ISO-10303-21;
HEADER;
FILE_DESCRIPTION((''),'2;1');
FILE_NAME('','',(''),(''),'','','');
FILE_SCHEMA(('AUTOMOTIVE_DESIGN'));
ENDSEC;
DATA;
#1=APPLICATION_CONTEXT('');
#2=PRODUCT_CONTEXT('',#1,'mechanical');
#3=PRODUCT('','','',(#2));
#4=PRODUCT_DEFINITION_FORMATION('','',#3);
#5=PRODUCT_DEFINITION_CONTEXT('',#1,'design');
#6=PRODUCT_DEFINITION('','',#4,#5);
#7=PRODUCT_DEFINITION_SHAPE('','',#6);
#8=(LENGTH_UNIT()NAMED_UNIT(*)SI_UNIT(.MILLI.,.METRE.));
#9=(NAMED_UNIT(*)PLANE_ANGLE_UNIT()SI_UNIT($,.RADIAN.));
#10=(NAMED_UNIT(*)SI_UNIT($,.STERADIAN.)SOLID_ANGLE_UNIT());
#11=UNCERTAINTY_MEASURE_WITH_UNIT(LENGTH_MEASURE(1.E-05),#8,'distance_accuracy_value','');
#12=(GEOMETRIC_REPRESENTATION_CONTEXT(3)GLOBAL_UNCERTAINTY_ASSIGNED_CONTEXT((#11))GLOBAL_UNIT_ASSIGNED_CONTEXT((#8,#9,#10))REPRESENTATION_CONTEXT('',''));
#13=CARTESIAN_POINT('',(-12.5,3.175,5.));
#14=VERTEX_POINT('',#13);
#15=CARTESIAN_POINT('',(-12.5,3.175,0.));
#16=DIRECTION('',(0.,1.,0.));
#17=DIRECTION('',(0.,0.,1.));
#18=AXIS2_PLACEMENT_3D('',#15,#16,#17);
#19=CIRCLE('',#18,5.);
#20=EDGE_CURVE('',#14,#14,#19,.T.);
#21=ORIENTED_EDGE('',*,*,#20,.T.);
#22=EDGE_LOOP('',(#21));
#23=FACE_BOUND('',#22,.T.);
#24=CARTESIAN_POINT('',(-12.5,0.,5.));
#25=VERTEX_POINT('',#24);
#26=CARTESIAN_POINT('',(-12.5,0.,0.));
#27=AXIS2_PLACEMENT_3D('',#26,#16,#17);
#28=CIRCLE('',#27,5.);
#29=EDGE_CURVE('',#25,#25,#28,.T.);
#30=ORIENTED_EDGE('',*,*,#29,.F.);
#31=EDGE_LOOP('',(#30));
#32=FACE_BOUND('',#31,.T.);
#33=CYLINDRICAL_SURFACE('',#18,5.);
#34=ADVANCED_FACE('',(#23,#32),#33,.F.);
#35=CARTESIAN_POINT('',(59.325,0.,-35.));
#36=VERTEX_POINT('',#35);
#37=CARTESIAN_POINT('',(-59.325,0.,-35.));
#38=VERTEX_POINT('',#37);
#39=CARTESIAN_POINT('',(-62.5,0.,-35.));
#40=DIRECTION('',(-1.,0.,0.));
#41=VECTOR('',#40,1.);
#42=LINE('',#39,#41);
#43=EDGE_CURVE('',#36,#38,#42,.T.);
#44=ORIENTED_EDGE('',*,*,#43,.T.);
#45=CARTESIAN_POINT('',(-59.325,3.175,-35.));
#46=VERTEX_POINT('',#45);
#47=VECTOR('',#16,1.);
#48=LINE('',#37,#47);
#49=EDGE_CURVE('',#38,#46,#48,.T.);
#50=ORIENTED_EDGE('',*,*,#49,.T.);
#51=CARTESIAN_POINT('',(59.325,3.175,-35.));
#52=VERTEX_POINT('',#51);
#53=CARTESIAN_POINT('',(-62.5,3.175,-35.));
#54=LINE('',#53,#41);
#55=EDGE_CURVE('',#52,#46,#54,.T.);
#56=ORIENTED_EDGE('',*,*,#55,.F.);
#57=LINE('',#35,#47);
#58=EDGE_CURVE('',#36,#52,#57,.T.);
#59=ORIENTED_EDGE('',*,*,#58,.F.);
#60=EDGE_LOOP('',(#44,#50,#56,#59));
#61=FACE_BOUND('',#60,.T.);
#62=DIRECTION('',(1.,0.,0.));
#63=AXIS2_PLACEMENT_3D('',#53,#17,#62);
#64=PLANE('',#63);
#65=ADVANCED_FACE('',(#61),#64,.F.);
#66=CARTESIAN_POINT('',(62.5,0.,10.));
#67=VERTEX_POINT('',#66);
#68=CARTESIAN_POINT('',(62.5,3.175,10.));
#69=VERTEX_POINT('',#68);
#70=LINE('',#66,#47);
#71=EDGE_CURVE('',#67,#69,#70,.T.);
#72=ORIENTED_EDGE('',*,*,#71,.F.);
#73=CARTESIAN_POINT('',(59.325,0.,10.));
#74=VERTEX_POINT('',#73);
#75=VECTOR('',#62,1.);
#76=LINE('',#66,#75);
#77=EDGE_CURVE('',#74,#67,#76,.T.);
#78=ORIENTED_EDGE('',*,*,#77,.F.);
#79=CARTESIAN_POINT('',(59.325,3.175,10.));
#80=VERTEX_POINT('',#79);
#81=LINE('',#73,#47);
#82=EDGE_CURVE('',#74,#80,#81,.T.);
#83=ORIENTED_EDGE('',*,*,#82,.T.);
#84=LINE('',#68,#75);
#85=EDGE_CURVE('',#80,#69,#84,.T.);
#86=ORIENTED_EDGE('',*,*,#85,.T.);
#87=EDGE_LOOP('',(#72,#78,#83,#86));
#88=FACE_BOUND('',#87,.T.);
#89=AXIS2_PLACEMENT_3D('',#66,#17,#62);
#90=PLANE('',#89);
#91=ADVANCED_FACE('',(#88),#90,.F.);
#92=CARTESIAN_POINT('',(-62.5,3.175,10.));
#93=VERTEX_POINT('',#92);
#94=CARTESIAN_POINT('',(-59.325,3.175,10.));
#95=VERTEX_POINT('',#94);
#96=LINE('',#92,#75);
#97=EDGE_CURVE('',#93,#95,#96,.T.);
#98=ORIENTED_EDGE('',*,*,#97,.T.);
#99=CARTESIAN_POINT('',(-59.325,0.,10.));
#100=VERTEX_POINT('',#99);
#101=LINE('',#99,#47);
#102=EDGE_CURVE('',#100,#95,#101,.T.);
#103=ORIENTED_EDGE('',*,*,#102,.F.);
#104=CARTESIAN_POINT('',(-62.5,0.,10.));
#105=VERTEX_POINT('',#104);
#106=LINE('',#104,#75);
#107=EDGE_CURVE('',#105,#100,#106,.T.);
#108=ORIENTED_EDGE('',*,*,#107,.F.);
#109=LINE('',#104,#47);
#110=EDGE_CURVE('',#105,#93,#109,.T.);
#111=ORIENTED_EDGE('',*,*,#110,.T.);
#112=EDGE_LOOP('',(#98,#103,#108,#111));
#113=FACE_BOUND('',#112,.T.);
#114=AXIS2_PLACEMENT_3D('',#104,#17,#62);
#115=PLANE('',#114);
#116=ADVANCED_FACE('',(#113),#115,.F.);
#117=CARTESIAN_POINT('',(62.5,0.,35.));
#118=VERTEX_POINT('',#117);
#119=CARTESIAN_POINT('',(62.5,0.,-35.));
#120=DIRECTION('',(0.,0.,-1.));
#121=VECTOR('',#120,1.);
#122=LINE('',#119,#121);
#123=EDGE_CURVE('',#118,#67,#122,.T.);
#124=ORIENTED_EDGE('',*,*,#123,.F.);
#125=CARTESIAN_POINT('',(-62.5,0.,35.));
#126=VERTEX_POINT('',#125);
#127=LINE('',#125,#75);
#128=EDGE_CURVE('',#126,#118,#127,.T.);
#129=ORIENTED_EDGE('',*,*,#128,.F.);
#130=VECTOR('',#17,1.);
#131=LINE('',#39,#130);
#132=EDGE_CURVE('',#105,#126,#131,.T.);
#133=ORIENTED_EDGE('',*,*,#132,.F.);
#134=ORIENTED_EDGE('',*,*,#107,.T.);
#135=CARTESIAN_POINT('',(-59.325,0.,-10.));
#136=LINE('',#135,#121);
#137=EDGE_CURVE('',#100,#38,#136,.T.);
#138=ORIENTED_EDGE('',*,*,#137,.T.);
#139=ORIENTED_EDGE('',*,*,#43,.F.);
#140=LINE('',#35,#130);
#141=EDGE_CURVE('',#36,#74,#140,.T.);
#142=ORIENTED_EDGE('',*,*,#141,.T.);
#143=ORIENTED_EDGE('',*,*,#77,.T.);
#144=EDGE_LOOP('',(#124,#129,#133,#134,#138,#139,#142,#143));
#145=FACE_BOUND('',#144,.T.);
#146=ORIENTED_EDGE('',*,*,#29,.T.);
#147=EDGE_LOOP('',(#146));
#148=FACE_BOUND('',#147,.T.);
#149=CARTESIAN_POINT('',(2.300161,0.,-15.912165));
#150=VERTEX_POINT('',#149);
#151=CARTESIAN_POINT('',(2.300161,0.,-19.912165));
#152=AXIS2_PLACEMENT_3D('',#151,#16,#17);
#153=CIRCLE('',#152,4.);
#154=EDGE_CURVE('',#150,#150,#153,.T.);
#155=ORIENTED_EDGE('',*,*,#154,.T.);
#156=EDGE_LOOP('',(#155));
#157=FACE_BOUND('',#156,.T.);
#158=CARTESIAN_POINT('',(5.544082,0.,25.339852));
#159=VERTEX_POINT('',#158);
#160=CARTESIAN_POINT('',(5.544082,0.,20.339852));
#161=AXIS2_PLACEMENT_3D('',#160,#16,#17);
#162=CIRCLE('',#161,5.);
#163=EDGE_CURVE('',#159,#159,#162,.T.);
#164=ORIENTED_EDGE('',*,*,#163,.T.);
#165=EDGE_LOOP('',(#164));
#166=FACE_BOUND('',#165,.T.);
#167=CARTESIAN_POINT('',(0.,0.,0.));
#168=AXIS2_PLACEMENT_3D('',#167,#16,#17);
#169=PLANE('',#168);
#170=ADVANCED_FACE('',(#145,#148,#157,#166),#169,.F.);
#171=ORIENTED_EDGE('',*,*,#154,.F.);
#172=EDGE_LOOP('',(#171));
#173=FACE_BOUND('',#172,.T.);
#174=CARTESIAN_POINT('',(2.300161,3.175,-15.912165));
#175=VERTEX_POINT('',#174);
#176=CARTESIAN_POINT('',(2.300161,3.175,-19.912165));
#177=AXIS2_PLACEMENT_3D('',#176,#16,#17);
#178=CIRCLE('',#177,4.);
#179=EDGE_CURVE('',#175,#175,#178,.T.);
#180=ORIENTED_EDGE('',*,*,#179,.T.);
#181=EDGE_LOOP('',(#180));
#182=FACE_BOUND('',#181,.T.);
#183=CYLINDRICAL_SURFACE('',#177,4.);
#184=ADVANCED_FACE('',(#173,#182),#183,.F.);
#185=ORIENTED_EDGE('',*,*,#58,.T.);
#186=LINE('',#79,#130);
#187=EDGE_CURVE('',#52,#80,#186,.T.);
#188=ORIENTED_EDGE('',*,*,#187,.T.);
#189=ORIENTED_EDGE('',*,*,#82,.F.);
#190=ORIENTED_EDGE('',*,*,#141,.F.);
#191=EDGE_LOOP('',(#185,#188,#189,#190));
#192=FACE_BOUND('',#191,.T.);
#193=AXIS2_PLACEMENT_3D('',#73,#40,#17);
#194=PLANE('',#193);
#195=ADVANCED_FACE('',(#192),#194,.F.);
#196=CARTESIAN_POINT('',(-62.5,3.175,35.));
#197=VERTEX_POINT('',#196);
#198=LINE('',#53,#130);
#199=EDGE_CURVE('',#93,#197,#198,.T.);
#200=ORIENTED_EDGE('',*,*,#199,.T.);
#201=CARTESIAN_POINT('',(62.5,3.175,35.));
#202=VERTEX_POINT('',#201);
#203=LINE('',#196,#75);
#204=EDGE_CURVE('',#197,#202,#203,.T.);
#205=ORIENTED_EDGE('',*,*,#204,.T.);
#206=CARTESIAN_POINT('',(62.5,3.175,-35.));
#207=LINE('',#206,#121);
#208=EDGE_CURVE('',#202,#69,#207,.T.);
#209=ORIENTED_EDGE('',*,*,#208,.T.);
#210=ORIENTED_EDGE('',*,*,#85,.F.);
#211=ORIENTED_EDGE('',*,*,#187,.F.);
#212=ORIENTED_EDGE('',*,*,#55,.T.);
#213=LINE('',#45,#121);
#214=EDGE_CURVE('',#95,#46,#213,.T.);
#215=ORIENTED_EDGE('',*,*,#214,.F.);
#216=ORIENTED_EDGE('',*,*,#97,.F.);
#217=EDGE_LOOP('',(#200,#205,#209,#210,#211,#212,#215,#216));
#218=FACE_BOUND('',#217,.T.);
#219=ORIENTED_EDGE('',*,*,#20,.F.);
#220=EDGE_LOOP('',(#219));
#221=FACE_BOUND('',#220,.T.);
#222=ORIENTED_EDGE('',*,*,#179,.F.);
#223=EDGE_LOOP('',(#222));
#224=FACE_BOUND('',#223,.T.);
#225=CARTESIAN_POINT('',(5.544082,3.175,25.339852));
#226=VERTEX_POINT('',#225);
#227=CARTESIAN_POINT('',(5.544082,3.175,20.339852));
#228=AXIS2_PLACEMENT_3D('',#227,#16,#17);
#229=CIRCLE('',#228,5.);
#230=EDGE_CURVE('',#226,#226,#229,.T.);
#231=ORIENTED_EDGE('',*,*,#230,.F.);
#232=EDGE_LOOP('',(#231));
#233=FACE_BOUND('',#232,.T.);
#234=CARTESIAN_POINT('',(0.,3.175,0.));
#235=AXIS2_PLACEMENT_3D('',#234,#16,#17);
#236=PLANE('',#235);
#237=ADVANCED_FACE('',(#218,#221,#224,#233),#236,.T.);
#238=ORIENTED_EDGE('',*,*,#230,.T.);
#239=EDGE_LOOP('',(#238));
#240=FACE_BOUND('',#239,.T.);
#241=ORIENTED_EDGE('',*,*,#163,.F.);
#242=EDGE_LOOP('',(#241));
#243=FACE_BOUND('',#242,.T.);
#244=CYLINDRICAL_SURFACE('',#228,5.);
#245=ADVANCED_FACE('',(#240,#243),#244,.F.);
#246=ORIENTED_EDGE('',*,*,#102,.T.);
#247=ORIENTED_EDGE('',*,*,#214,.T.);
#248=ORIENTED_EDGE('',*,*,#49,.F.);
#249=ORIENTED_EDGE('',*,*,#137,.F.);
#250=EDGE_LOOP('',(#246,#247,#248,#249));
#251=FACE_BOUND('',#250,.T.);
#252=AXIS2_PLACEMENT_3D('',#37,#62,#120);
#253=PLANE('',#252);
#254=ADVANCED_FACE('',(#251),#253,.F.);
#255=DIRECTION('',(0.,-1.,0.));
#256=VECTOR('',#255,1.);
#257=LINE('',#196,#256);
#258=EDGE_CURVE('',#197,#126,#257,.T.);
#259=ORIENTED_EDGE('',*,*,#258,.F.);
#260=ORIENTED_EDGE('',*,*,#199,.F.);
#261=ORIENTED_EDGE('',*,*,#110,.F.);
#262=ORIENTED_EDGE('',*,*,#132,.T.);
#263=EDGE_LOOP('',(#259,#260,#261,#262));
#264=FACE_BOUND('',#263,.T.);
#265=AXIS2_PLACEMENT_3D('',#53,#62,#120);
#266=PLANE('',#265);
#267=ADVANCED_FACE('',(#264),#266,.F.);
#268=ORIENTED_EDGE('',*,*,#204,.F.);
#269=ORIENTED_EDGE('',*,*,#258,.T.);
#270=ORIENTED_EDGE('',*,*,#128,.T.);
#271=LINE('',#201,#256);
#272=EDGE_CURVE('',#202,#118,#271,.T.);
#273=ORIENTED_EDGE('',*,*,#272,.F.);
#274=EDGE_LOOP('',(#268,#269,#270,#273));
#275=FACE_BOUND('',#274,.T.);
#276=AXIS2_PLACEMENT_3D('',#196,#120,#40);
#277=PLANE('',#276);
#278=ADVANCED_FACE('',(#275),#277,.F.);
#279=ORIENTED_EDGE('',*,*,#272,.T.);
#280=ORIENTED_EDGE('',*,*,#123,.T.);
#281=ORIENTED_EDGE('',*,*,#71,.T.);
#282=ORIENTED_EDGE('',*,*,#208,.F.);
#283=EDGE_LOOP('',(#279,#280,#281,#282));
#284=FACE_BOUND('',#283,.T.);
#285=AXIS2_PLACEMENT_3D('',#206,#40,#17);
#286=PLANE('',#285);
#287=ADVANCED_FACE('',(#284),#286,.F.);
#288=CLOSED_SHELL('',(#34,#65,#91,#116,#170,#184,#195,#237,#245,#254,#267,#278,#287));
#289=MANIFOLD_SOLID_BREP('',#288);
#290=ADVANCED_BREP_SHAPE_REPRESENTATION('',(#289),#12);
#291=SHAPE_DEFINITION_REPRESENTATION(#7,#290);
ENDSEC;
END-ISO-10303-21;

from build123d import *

# Parameters (mm, degrees)
SKETCH1_W                      = 125
SKETCH1_H                      = 70
BOSS_EXTRUDE1_DEPTH            = 3.175
F_10_0_10_DIAMETER_HOLE1_D     = 10
F_10_0_10_DIAMETER_HOLE1_DEPTH = 3.175
F_8_0_8_DIAMETER_HOLE1_D       = 8
F_8_0_8_DIAMETER_HOLE1_DEPTH   = 3.175
CUT_EXTRUDE1_DEPTH             = 4.175


with BuildPart() as part:
    # Sketch1 → Boss-Extrude1 (new body)
    with BuildSketch(Plane(origin=(0, 0, 0), x_dir=(1, 0, 0), z_dir=(0, 1, 0))):
        Rectangle(SKETCH1_W, SKETCH1_H)
    extrude(amount=BOSS_EXTRUDE1_DEPTH)

    # Ø10.0 (10) Diameter Hole1
    with Locations(Plane(origin=(0, 3.175, 0), x_dir=(1, 0, 0), z_dir=(0, 1, 0))):
        with Locations((-12.5, 0), (5.544081657, -20.339852315)):
            Hole(F_10_0_10_DIAMETER_HOLE1_D / 2, depth=F_10_0_10_DIAMETER_HOLE1_DEPTH)

    # Ø8.0 (8) Diameter Hole1
    with Locations(Plane(origin=(0, 3.175, 0), x_dir=(1, 0, 0), z_dir=(0, 1, 0))):
        with Locations((2.300160709, 19.912165142), (-12.5, 0)):
            Hole(F_8_0_8_DIAMETER_HOLE1_D / 2, depth=F_8_0_8_DIAMETER_HOLE1_DEPTH)

    # Sketch7 → Cut-Extrude1 (cut, through all)
    with BuildSketch(Plane(origin=(0, 3.175, 0), x_dir=(1, 0, 0), z_dir=(0, 1, 0))):
        Polygon((-62.5, 35), (-59.325, 35), (-59.325, 10), (-59.325, -10), (-62.5, -10), (-62.5, 10), align=None)
        Polygon((62.5, 35), (59.325, 35), (59.325, 10), (59.325, -10), (62.5, -10), (62.5, 10), align=None)
    extrude(amount=-CUT_EXTRUDE1_DEPTH, mode=Mode.SUBTRACT)


solid = part.part
